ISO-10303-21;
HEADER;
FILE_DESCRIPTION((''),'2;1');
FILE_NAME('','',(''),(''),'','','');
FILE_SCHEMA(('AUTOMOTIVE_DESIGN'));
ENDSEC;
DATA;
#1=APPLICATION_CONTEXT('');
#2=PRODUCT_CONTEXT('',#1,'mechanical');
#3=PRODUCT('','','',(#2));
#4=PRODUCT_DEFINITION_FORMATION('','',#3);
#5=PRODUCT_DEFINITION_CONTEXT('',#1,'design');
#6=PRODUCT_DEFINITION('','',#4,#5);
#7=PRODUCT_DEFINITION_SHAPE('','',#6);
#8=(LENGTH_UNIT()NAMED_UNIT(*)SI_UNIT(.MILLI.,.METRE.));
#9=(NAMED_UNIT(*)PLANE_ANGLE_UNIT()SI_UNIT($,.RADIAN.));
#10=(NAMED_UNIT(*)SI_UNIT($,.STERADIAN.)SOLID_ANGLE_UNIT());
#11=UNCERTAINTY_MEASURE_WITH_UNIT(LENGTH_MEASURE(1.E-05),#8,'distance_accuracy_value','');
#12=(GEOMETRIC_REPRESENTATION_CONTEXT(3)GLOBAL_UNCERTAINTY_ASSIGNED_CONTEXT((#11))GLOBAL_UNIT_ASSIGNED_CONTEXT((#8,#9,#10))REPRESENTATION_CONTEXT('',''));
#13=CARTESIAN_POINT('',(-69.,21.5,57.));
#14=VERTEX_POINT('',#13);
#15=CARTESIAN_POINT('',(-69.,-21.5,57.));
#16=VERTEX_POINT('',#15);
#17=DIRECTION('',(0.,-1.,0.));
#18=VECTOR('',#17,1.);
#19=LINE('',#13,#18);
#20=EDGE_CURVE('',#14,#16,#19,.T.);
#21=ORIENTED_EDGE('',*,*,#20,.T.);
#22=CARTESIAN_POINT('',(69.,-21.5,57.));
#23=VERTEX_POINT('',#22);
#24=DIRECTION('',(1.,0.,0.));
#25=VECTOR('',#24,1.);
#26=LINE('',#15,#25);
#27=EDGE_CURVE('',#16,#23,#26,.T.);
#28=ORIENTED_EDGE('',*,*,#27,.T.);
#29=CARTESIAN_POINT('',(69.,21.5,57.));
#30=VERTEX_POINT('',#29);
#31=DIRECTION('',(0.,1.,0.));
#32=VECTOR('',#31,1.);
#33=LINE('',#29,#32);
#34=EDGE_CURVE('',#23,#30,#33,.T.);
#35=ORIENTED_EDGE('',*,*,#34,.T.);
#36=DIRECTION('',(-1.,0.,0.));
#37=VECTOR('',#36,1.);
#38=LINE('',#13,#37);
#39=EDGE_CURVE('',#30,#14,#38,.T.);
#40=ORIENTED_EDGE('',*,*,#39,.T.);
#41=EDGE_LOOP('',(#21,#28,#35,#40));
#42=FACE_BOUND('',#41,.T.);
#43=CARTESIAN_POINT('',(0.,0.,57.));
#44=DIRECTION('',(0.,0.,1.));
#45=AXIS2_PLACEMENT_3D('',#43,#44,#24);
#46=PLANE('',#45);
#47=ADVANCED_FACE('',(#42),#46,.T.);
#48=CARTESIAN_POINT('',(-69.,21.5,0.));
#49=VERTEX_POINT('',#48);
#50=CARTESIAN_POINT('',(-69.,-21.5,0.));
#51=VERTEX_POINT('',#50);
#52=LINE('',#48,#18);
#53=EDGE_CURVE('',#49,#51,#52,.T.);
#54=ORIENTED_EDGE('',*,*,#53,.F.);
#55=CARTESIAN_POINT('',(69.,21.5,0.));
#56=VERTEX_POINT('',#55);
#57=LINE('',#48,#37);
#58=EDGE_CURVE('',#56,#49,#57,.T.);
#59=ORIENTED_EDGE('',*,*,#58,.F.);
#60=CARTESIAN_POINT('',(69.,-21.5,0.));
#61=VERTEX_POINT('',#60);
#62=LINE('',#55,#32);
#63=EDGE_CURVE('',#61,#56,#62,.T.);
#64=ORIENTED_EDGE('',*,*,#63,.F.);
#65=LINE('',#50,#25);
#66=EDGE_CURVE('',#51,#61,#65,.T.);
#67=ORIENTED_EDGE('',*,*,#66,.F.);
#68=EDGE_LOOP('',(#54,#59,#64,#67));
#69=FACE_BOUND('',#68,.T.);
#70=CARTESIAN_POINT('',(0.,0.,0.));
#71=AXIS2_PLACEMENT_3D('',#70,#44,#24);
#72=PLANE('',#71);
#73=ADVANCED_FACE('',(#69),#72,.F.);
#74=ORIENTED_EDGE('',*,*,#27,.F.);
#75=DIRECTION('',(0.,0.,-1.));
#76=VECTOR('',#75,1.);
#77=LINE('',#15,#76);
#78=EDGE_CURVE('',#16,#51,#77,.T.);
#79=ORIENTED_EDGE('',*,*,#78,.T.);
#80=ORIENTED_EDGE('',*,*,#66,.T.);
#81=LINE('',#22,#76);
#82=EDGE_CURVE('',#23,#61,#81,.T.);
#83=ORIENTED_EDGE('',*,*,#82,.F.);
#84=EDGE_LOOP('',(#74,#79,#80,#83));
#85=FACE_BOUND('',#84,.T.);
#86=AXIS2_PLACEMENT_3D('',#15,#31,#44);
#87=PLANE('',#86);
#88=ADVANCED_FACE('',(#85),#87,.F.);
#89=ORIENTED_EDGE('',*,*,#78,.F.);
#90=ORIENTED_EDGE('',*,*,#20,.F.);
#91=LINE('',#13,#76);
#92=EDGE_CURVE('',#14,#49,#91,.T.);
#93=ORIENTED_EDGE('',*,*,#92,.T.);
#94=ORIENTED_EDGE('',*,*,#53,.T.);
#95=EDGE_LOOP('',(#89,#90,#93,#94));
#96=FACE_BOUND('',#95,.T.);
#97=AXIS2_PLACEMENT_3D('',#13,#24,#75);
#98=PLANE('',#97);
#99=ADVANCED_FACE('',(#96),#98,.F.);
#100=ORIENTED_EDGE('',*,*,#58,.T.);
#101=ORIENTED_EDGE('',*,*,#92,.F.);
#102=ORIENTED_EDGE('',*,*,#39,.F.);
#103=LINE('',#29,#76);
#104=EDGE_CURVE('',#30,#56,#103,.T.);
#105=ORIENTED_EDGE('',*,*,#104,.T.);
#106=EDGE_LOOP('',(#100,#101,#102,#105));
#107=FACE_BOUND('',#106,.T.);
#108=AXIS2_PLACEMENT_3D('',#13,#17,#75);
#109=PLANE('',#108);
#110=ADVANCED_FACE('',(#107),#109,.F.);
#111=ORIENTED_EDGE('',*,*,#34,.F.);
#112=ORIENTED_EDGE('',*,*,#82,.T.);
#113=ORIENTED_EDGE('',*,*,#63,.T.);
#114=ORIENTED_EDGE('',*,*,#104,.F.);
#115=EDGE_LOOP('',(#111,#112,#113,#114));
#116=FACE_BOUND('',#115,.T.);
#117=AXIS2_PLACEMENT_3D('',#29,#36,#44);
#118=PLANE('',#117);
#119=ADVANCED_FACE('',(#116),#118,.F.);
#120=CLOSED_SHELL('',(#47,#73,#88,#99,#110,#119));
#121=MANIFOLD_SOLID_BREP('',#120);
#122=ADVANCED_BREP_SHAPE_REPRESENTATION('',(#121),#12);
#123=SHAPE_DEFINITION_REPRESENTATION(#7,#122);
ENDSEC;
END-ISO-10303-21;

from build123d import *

# Parameters (mm, degrees)
SKETCH_1_W      = 138
SKETCH_1_H      = 43
EXTRUDE_1_DEPTH = 57


with BuildPart() as part:
    # 草图1 → 凸台-拉伸1 (new body)
    with BuildSketch(Plane.XY):
        Rectangle(SKETCH_1_W, SKETCH_1_H)
    extrude(amount=EXTRUDE_1_DEPTH)


solid = part.part
